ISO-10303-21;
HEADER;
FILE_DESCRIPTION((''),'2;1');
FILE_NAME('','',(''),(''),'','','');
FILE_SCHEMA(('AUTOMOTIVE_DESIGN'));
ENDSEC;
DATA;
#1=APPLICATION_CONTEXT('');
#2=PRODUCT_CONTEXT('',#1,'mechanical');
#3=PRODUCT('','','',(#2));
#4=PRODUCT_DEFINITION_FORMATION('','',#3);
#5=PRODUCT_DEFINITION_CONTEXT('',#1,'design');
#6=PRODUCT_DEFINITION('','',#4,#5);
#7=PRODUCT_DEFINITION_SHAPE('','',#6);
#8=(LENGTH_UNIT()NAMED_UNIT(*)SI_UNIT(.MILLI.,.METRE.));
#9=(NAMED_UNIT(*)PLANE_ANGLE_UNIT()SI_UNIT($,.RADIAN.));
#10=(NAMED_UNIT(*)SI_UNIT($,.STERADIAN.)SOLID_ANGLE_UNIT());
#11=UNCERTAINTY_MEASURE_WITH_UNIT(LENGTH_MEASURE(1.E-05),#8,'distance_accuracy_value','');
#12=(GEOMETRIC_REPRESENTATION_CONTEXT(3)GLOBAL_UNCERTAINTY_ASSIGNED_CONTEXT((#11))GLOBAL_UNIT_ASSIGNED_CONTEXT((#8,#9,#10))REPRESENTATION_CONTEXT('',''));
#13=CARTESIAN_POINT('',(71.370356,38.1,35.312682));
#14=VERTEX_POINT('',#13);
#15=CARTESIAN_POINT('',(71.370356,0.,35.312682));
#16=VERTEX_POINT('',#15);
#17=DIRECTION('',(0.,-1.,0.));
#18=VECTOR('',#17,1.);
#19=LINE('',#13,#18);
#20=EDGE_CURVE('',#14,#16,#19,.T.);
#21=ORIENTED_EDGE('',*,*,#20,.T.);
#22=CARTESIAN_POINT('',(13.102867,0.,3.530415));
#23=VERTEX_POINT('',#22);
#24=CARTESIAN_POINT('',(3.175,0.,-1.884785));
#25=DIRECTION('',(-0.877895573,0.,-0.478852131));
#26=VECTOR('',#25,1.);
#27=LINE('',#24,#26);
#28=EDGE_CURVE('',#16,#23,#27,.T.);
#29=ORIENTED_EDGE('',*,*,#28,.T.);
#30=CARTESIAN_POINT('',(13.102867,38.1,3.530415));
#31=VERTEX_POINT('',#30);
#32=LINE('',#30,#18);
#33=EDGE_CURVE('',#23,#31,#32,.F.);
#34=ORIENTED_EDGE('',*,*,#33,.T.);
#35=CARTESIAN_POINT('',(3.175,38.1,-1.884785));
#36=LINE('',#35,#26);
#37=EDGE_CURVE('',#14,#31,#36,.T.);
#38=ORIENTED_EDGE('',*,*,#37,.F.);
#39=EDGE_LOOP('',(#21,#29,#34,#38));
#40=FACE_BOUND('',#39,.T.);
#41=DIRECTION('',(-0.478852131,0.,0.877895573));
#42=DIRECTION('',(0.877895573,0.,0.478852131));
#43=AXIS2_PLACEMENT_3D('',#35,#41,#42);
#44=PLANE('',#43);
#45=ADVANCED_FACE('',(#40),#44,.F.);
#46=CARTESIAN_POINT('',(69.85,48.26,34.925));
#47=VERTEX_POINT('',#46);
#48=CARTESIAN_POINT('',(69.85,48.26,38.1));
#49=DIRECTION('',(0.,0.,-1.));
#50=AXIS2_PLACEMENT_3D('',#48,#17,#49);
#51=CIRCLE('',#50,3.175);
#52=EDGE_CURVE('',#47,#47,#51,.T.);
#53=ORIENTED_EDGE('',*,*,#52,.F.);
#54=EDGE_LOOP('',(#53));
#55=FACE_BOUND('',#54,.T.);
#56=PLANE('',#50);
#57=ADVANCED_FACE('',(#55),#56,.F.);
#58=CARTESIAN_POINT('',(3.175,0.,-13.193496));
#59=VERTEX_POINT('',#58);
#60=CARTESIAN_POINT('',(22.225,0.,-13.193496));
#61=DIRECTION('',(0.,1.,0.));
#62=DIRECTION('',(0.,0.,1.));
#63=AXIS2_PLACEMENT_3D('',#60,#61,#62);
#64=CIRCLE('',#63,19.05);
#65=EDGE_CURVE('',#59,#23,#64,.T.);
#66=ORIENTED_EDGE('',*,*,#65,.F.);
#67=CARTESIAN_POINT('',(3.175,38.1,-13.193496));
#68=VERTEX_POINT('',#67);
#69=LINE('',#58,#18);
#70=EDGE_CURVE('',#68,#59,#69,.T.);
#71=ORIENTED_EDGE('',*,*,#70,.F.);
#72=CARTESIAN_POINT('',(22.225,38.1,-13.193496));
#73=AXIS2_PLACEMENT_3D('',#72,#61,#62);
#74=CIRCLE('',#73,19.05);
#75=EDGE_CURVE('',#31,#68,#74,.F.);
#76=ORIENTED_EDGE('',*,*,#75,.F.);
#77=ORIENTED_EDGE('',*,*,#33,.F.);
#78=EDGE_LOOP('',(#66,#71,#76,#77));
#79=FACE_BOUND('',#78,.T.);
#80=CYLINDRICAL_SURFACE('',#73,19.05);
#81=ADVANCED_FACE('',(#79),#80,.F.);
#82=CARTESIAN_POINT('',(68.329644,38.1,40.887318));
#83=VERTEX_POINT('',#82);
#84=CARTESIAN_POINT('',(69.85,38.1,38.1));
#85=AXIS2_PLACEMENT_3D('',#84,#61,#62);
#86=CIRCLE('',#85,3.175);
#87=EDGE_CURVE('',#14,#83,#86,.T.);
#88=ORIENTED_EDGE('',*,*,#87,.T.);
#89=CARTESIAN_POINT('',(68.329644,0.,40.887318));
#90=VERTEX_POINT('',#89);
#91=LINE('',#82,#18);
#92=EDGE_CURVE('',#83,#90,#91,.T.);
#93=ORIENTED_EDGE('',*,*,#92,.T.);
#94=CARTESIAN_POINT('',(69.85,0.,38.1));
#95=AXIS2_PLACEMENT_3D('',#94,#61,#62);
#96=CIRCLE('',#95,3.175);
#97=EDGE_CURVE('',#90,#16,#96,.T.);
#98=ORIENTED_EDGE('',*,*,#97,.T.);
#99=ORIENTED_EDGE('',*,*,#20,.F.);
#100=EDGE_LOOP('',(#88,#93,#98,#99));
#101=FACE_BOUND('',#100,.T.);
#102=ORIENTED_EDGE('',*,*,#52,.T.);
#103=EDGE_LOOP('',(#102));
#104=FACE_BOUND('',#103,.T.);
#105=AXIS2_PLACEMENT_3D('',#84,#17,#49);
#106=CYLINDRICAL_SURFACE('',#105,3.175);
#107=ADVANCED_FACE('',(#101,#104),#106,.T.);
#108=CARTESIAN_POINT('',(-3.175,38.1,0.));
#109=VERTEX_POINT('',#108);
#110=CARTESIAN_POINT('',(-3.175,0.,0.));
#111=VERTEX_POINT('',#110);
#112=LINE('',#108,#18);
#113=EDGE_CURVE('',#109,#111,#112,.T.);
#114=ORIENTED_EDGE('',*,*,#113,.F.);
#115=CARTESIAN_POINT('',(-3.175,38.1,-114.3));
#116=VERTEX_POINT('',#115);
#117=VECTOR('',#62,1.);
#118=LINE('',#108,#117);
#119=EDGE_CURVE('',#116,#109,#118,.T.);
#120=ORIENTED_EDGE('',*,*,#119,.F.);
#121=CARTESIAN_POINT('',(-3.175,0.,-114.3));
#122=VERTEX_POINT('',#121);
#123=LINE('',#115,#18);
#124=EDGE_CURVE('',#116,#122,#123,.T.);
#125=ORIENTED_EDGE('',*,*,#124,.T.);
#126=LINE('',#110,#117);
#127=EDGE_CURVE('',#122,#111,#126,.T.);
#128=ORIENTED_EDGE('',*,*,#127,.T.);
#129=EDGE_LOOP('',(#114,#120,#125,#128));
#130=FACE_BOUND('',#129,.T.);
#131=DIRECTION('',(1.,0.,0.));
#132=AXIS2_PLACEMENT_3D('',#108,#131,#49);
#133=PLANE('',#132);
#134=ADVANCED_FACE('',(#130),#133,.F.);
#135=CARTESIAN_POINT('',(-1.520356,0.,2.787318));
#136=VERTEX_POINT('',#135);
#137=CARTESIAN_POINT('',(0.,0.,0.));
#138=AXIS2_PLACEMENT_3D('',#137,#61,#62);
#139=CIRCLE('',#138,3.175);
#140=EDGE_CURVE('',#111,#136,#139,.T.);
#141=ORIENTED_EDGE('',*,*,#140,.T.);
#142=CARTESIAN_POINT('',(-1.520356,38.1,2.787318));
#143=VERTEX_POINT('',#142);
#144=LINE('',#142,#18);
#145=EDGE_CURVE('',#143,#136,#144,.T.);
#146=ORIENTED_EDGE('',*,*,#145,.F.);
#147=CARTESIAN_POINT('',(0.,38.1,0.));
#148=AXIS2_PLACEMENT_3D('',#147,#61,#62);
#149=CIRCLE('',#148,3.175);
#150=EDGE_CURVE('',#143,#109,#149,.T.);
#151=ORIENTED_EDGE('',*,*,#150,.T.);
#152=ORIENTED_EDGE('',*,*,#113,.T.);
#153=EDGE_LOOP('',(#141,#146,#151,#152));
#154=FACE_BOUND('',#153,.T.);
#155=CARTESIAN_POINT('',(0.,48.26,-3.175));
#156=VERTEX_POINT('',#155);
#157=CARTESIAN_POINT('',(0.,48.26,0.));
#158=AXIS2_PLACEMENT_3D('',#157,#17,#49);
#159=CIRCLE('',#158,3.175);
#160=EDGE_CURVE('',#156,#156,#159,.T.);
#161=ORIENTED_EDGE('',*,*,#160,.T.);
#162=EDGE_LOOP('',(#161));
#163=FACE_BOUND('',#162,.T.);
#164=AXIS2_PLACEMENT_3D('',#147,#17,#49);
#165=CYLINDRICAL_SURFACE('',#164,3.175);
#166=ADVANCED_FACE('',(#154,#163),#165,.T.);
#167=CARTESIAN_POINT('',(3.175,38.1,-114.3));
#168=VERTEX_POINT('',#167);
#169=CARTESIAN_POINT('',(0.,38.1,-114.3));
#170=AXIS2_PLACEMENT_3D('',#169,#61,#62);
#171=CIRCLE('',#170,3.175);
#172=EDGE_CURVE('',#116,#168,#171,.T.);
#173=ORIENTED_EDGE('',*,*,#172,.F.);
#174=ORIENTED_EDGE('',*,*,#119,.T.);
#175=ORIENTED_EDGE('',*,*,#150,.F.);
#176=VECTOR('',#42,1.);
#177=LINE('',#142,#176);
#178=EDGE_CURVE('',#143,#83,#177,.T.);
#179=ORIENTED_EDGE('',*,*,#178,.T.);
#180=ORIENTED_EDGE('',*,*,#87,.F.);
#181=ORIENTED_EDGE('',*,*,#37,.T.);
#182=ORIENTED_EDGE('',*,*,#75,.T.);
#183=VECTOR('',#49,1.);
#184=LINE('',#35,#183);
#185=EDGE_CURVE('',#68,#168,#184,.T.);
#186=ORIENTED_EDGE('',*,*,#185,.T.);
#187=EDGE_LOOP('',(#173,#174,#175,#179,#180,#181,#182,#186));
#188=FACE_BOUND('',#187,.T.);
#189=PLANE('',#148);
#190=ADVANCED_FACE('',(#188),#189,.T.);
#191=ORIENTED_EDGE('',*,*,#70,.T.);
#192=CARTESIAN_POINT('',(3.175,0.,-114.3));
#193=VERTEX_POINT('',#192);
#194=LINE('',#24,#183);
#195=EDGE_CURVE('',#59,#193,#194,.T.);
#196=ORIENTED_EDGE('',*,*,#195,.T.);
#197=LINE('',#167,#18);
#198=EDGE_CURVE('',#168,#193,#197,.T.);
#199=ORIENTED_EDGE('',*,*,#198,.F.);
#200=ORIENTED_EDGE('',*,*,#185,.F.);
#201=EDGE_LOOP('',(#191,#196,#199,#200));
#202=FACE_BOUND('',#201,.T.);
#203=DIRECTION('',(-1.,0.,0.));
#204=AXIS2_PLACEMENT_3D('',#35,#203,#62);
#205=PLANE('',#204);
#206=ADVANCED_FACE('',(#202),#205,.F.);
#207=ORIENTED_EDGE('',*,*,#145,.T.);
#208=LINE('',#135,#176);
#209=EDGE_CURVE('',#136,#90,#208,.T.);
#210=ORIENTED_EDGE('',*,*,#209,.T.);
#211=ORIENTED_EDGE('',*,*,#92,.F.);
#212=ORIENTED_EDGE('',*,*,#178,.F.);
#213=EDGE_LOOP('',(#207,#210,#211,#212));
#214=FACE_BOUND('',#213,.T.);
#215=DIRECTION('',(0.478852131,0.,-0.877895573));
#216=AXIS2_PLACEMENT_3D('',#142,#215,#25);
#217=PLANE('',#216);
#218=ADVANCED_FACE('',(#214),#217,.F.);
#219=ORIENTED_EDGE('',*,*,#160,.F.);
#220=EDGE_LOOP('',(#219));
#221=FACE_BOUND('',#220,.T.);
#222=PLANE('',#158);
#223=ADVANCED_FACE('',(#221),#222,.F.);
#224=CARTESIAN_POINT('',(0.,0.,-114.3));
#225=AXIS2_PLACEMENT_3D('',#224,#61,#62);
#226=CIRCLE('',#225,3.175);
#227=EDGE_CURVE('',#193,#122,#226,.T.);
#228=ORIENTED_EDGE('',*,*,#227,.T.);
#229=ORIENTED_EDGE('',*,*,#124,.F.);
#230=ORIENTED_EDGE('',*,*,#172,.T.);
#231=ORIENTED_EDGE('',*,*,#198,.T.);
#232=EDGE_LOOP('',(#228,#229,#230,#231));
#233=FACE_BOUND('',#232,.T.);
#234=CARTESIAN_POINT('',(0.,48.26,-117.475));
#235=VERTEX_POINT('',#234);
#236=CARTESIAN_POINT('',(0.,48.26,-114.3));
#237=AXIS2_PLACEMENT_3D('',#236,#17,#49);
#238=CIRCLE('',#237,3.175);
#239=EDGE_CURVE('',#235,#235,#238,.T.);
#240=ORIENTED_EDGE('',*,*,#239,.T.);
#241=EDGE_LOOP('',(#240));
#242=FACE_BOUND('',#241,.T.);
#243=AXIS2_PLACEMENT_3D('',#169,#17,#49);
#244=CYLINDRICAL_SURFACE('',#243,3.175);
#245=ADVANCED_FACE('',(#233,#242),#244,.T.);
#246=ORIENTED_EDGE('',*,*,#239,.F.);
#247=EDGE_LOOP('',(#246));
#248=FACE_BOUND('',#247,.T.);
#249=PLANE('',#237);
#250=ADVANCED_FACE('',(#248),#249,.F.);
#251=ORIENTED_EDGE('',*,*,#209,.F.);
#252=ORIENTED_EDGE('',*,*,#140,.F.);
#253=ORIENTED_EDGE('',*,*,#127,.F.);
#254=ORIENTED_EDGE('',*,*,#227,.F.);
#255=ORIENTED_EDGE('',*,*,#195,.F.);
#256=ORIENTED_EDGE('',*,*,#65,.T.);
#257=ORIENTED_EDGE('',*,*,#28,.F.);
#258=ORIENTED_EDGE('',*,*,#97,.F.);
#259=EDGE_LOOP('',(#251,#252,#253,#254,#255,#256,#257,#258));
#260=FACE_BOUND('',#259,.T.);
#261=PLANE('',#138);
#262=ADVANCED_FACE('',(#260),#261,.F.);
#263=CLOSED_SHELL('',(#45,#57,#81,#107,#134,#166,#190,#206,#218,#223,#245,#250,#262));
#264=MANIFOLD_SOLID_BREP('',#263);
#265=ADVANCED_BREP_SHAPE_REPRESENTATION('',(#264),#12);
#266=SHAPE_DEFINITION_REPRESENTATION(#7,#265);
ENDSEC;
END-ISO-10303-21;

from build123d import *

# Parameters (mm, degrees)
BOSS_EXTRUDE1_DEPTH = 38.1
SKETCH2_R           = 3.175
BOSS_EXTRUDE2_DEPTH = 48.26
FILLET1_R           = 19.05


with BuildPart() as part:
    # Sketch1 → Boss-Extrude1 (new body)
    with BuildSketch(Plane(origin=(0, 0, 0), x_dir=(1, 0, 0), z_dir=(0, 1, 0))):
        with BuildLine():
            Line((-3.175, 0), (-3.175, 114.3))
            ThreePointArc((-3.175, 114.3), (0, 117.475), (3.175, 114.3))
            Line((3.175, 114.3), (3.175, 1.884785088))
            Line((3.175, 1.884785088), (71.370355515, -35.312681556))
            ThreePointArc((71.370355515, -35.312681556), (72.637318444, -39.620355515), (68.329644485, -40.887318444))
            Line((68.329644485, -40.887318444), (-1.520355515, -2.787318444))
            ThreePointArc((-1.520355515, -2.787318444), (-2.73017891, -1.620724566), (-3.175, 0))
        make_face()
    extrude(amount=BOSS_EXTRUDE1_DEPTH)

    # Sketch2 → Boss-Extrude2 (add)
    with BuildSketch(Plane(origin=(0, 0, 0), x_dir=(-1, 0, 0), z_dir=(0, -1, 0))):
        with Locations(Location((0, 114.3, 0), (0, 0, 90))):
            Circle(SKETCH2_R)
        with Locations(Location((0, 0, 0), (0, 0, 90))):
            Circle(SKETCH2_R)
        with Locations(Location((-69.85, -38.1, 0), (0, 0, 90))):
            Circle(SKETCH2_R)
    extrude(amount=-BOSS_EXTRUDE2_DEPTH)

    # Fillet1
    fillet1_edges = [part.edges().sort_by_distance(p)[0] for p in [
        (3.175, 19.05, -1.884785088),
    ]]
    fillet(fillet1_edges, radius=FILLET1_R)


solid = part.part
